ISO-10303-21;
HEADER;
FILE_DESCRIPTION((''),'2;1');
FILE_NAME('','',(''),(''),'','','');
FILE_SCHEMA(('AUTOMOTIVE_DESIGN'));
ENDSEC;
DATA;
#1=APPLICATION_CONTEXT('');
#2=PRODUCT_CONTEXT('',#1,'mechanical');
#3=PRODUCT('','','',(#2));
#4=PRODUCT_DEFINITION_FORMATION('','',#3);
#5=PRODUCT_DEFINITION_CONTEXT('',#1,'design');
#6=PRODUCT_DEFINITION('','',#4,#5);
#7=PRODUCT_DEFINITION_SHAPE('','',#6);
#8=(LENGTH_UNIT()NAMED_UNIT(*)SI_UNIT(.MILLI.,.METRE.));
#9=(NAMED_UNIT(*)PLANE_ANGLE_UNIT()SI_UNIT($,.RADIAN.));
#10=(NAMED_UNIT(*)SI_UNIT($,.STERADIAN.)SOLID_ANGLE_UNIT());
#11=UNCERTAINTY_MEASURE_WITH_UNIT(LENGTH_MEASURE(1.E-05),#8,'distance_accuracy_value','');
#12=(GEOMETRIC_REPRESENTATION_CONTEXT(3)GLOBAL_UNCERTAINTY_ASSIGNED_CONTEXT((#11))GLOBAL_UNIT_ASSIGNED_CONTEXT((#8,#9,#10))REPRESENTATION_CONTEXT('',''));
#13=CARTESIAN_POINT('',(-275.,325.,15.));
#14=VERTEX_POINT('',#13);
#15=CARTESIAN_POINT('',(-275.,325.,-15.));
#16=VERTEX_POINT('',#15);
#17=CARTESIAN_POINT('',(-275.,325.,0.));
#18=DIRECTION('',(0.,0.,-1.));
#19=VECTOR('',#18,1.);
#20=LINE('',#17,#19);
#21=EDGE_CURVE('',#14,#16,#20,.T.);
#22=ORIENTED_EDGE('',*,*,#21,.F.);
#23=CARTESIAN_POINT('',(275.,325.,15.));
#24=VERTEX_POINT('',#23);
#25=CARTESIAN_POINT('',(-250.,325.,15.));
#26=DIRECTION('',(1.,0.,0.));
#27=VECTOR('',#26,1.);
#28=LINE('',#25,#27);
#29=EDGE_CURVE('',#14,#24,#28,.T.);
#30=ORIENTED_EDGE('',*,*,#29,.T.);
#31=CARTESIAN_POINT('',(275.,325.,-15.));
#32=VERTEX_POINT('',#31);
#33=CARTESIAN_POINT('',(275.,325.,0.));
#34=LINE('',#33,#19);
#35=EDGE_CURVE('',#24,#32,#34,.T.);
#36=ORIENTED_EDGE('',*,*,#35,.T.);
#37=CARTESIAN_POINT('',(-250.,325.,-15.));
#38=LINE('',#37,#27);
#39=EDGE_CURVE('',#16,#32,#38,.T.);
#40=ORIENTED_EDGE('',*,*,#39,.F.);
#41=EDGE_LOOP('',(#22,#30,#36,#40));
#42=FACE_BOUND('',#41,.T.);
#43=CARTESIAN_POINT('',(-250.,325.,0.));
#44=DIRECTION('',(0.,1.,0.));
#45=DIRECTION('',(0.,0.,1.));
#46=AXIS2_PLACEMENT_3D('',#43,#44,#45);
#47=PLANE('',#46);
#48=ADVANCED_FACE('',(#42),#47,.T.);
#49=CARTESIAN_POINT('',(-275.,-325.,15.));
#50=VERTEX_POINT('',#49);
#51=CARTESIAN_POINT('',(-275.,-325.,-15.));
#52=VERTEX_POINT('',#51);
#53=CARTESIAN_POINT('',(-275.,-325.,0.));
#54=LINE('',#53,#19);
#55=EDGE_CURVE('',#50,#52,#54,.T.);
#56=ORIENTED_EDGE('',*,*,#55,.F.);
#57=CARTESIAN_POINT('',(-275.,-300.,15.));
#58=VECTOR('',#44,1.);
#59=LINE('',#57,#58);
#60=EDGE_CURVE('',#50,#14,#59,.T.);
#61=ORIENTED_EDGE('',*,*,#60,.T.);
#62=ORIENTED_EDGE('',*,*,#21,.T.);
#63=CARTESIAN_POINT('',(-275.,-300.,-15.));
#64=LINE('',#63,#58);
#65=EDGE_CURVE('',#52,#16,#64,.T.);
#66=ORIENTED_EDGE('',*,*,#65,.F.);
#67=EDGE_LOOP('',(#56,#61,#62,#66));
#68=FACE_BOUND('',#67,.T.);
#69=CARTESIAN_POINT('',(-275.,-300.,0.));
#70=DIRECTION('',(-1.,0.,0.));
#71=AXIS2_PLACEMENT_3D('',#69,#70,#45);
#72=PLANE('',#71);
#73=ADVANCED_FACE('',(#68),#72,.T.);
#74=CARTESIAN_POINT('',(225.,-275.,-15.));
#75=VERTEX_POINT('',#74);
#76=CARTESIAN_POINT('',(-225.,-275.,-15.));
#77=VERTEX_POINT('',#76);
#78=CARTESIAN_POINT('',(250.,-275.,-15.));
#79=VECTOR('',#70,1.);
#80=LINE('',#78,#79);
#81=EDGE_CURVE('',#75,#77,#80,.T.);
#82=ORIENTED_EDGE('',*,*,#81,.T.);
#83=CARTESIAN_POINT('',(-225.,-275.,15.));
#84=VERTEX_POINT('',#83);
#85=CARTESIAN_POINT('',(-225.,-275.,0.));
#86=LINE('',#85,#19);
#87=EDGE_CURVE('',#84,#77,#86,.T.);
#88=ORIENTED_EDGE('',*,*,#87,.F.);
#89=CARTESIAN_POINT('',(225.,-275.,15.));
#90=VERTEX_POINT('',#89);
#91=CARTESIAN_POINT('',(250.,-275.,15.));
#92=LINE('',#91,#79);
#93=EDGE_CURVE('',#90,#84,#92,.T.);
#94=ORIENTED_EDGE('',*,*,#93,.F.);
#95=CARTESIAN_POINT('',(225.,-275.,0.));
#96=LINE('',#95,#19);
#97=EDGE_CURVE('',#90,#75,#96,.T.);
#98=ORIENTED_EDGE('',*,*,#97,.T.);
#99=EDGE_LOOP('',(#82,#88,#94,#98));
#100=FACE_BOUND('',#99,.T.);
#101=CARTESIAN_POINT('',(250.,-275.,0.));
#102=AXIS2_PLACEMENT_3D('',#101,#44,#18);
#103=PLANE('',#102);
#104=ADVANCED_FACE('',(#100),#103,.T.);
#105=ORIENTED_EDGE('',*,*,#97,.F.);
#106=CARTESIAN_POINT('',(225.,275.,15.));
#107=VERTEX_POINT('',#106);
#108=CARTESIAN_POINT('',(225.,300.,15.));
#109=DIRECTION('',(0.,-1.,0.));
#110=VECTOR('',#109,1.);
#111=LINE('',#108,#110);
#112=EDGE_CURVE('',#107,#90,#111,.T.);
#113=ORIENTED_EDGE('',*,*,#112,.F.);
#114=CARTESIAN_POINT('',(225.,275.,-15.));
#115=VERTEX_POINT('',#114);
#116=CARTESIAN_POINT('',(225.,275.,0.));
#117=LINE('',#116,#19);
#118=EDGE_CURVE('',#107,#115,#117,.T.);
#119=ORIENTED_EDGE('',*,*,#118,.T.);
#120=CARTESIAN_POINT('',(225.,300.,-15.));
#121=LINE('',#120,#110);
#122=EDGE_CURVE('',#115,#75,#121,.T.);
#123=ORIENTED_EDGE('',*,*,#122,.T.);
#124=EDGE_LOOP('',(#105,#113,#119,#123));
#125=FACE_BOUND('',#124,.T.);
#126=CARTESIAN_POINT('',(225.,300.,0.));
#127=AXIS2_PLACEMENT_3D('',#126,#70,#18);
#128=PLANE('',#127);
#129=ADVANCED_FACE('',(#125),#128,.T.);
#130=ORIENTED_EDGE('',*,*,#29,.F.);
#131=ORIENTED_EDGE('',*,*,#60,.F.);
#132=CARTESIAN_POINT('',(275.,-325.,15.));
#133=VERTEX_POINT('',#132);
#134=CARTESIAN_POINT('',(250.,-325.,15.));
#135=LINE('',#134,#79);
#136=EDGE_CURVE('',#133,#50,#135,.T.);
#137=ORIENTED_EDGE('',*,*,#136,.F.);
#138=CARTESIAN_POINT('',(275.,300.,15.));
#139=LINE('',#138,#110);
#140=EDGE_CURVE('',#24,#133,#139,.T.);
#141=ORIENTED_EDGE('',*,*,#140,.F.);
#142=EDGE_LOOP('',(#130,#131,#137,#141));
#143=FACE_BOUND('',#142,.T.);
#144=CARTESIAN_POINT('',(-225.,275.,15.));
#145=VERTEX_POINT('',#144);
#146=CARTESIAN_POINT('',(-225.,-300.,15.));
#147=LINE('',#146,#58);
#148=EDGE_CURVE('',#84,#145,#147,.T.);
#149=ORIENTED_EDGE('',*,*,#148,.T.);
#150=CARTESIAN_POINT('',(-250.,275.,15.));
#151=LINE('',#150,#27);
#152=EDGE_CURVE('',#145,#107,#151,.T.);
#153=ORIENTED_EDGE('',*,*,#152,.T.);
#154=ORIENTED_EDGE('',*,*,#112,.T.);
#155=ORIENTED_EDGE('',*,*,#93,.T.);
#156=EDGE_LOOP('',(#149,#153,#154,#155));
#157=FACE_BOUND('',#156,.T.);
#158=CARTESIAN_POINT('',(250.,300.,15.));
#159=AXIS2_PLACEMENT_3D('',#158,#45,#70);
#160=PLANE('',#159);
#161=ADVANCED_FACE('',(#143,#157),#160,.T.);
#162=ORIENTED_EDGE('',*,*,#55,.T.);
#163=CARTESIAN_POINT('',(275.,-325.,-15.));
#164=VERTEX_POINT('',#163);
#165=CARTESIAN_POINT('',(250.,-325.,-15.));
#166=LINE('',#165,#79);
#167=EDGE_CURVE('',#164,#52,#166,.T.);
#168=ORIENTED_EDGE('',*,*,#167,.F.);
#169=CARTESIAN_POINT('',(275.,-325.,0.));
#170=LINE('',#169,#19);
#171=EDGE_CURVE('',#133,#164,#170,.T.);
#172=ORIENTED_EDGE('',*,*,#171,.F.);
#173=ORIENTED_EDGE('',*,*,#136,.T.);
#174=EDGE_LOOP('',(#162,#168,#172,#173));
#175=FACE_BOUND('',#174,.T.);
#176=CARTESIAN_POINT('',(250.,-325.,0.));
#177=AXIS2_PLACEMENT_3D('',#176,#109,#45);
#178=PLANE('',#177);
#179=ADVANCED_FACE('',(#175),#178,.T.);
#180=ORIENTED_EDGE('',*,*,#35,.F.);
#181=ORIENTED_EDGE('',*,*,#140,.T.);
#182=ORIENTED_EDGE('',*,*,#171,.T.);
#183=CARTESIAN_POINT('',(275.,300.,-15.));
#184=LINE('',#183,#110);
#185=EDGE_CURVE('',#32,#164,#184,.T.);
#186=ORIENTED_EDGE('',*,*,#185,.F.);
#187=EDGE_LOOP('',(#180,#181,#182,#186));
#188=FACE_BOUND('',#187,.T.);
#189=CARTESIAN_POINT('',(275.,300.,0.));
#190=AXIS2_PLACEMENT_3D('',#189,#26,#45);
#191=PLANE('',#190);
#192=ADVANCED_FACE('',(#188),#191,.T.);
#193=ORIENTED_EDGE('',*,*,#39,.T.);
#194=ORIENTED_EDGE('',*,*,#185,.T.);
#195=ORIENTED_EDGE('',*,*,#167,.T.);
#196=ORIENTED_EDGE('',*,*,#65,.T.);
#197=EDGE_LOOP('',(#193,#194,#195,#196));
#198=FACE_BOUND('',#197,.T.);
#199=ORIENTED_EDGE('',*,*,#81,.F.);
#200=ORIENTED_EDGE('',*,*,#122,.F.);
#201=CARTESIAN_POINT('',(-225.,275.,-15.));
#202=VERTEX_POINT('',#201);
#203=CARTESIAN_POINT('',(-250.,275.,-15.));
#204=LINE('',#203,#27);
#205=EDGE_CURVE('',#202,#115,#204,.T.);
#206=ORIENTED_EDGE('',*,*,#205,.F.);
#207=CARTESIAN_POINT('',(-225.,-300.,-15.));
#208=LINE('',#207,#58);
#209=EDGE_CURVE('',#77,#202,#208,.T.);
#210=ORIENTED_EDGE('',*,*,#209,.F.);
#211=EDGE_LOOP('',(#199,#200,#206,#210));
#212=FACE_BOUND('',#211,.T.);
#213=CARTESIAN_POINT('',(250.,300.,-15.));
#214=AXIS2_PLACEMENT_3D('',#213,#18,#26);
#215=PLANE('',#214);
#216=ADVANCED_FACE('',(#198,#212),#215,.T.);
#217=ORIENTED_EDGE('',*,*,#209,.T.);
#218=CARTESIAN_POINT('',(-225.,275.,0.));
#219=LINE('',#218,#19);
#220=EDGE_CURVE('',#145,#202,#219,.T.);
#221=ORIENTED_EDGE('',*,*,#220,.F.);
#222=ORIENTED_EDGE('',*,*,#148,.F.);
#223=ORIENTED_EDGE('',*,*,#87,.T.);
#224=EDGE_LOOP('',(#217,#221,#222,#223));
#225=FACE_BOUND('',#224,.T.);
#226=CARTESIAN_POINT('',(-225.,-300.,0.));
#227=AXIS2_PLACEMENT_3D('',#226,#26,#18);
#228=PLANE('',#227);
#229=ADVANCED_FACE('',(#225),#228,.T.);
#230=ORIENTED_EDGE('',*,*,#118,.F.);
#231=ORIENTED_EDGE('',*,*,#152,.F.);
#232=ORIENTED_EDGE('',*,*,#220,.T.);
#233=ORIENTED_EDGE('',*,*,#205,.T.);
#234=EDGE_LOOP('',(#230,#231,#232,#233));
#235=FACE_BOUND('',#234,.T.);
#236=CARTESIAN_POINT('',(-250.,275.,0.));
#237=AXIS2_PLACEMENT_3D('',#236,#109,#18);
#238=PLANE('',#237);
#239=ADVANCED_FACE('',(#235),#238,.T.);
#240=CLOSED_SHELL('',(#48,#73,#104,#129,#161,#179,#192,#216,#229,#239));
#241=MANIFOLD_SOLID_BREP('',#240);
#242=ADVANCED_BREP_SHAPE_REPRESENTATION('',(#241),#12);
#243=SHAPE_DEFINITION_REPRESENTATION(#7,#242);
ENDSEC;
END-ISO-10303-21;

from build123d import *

# Parameters (mm, degrees)
F2_W = 50
F2_H = 30


with BuildPart() as f1:
    # F1: sweep along a path in F0
    with BuildLine(Plane.XY) as f1_path:
        Line((250, 300), (250, -300))
        Line((250, -300), (-250, -300))
        Line((-250, -300), (-250, 300))
        Line((-250, 300), (250, 300))
    # F2 (on Front) → F1 (sweep)
    with BuildSketch(Plane.XZ):
        with Locations((250, 0)):
            Rectangle(F2_W, F2_H)
    sweep(path=f1_path.line, transition=Transition.RIGHT)


solid = f1.part
